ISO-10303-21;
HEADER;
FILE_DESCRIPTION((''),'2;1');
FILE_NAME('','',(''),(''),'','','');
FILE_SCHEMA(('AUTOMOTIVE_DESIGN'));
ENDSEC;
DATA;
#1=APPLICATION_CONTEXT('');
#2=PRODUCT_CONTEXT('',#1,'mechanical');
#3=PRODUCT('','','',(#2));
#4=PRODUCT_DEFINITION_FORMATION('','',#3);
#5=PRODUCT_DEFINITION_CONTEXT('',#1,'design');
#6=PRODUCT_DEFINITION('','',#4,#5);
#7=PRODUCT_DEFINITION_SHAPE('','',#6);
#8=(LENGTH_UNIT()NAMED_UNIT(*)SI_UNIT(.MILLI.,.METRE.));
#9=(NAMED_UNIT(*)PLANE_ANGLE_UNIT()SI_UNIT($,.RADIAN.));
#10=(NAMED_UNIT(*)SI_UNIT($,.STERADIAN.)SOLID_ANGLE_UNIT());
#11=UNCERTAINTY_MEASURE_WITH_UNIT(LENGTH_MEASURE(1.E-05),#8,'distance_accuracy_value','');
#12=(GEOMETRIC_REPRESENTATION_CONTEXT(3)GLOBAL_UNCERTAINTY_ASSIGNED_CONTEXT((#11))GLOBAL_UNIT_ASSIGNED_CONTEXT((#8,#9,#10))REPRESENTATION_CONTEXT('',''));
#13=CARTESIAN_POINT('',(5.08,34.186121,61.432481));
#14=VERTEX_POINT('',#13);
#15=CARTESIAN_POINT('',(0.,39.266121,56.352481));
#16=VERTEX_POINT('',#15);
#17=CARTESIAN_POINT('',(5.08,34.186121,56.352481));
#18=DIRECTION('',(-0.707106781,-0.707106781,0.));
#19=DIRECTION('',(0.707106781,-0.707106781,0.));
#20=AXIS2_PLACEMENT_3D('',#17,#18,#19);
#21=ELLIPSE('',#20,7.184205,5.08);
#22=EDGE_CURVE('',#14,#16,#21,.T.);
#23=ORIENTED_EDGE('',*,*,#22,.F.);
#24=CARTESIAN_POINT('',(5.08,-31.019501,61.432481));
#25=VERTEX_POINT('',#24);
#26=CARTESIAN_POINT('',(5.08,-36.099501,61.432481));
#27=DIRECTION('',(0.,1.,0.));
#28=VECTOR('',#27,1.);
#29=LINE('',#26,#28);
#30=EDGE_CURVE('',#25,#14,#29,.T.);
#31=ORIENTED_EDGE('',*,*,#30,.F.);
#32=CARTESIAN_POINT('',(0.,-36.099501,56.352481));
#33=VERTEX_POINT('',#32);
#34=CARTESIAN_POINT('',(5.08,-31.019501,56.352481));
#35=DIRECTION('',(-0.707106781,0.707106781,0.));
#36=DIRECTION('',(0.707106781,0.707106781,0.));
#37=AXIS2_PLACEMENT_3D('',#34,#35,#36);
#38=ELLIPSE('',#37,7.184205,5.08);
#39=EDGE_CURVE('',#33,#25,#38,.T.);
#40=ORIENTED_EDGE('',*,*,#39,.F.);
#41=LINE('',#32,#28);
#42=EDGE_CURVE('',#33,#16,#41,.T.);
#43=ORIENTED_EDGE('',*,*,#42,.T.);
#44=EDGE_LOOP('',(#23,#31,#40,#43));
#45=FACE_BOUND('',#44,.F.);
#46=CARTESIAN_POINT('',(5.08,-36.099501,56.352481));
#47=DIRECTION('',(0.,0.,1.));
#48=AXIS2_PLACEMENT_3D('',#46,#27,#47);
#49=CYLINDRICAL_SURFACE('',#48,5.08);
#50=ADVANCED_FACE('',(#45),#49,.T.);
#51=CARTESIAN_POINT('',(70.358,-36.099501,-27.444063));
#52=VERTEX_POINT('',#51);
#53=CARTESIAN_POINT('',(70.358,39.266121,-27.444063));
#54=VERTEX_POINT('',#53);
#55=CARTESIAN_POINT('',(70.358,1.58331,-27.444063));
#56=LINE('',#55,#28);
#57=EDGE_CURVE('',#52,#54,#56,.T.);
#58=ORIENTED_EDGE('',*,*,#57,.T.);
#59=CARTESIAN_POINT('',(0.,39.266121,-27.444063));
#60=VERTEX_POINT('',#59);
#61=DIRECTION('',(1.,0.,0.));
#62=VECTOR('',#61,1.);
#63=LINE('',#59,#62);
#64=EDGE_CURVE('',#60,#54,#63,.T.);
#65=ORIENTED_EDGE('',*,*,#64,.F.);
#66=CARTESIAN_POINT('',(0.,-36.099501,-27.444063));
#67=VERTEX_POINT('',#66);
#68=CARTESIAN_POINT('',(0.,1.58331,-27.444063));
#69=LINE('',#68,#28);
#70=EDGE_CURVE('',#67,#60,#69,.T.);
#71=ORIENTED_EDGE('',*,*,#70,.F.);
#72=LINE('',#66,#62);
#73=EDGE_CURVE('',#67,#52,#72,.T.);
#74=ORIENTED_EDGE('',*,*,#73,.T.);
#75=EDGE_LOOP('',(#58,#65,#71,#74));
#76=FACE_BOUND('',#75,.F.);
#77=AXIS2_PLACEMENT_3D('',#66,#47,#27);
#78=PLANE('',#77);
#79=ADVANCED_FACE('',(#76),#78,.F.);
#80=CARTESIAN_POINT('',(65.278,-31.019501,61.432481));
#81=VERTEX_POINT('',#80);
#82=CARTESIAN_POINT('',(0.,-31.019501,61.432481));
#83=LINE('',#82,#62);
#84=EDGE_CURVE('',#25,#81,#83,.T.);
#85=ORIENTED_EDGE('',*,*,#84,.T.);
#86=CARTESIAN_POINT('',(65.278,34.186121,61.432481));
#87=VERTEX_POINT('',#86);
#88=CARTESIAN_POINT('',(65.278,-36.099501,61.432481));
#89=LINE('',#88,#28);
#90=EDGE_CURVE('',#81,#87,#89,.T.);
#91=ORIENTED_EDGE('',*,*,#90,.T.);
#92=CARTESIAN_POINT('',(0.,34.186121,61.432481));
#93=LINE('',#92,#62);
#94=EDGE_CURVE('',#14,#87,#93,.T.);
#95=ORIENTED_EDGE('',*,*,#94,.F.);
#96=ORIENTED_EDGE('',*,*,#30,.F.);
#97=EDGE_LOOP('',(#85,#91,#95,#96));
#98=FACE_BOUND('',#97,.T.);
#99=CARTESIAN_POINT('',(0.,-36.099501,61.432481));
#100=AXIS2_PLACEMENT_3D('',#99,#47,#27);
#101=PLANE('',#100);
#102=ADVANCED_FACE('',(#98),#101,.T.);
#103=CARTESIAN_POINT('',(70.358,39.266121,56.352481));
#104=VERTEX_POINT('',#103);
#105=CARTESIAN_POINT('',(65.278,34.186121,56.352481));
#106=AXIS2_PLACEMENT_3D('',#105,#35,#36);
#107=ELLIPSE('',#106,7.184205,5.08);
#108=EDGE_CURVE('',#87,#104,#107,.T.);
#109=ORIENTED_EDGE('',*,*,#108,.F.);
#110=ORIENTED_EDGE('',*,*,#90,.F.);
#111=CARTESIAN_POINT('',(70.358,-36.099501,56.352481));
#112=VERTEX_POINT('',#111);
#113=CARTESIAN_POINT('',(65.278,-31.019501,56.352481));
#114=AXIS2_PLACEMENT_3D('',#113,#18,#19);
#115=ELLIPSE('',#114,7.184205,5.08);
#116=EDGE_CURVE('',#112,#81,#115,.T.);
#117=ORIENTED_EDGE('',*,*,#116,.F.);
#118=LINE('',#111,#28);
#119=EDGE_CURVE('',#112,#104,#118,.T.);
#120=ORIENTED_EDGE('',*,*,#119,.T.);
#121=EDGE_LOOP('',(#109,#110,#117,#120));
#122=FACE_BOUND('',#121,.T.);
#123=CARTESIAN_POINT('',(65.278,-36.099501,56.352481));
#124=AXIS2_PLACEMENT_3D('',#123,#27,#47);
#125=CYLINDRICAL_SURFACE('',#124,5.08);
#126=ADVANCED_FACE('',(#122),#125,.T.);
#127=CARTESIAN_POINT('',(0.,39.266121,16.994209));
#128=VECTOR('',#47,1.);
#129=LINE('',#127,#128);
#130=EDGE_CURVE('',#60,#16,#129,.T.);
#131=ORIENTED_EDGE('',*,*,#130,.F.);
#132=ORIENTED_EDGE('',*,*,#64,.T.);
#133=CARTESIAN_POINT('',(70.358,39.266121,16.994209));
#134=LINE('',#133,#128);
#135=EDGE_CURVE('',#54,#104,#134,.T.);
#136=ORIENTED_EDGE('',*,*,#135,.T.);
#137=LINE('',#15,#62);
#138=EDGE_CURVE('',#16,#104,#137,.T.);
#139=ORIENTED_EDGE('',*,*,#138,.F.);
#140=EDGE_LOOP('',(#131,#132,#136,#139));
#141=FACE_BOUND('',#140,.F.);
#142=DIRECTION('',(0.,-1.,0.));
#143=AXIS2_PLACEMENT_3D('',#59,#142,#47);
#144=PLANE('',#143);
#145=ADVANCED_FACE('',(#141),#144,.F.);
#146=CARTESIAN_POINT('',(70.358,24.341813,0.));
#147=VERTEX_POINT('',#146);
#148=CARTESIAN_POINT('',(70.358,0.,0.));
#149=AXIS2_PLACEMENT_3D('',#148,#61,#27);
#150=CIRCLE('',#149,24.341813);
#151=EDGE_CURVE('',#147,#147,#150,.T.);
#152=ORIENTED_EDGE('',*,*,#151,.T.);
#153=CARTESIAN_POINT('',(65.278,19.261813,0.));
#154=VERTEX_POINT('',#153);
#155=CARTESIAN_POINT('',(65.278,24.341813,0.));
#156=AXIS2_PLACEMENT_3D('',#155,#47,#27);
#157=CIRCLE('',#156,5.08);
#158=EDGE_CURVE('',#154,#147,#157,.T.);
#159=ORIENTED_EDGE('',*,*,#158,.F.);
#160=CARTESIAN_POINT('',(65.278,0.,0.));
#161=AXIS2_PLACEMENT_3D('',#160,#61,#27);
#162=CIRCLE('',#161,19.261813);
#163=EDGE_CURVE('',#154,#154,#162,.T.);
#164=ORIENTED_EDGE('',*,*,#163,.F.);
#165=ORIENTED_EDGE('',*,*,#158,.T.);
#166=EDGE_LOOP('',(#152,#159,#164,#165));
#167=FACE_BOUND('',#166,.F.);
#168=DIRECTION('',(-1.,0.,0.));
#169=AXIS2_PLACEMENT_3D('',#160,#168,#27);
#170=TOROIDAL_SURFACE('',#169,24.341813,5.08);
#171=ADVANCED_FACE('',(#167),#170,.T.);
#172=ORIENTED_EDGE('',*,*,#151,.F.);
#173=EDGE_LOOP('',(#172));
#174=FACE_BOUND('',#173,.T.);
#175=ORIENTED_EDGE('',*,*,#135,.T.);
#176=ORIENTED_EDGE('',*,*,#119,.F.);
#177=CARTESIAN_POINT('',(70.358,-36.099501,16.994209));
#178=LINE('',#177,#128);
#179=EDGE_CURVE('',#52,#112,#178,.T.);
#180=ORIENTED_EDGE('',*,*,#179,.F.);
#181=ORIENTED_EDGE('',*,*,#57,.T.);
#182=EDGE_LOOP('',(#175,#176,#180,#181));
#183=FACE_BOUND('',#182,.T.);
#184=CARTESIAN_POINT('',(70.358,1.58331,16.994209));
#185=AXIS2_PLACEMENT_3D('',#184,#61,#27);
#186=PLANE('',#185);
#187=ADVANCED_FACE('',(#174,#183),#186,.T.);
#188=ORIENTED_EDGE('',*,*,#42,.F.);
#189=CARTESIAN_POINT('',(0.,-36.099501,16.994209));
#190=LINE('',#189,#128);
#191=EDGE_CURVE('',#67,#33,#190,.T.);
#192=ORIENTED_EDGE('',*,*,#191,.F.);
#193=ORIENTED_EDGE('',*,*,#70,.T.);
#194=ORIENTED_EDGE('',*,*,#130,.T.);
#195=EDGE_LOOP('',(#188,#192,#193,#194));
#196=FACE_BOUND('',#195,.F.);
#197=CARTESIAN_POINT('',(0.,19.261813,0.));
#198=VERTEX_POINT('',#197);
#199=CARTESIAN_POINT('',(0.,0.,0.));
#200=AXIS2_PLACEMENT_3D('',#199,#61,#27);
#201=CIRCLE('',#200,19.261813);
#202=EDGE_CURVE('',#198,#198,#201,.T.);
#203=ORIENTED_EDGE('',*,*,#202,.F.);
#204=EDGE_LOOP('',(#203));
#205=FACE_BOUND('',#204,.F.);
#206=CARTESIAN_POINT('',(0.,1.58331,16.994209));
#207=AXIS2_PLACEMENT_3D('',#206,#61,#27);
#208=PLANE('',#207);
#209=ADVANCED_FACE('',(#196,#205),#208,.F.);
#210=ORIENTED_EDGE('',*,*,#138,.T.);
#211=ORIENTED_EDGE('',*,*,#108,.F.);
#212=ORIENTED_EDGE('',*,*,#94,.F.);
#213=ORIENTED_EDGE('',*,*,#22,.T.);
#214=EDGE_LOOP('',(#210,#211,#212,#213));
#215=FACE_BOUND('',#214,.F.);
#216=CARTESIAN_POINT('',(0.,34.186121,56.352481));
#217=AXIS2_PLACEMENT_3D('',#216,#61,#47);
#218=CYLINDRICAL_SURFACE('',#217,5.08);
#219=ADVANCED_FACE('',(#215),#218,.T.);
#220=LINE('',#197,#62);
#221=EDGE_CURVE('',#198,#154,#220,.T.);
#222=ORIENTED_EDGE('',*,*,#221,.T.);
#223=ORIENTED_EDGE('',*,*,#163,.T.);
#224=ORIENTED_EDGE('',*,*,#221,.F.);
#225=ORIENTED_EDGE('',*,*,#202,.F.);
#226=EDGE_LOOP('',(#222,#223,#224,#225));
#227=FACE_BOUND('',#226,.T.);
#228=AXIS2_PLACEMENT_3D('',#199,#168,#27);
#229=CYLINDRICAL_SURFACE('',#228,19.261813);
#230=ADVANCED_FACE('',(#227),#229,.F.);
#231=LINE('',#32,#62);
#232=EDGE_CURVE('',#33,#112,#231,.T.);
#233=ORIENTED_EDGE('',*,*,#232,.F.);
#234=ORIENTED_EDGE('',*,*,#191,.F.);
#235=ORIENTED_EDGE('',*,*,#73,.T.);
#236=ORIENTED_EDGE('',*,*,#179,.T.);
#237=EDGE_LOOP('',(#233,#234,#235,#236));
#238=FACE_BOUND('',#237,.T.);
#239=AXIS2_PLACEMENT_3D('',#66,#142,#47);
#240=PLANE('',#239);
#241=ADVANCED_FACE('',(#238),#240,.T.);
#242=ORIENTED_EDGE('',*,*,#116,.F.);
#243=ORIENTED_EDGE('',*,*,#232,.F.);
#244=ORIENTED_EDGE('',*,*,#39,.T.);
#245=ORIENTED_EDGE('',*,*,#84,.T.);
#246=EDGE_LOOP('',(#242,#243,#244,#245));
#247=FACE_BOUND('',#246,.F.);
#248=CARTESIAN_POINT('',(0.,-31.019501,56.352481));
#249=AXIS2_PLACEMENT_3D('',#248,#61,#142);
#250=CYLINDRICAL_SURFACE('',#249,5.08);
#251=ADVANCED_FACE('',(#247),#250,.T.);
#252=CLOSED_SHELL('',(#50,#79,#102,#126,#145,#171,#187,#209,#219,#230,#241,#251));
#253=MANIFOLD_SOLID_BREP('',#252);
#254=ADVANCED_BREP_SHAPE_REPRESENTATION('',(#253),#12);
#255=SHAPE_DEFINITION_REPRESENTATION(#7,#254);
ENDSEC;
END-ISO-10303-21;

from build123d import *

# Parameters (mm, degrees)
F0_W     = 75.365622
F0_H     = 88.876544
F0_R     = 19.261813
F1_DEPTH = 70.358
F2_R     = 5.08


with BuildPart() as f1:
    # F0 (on Right) → F1 (new body)
    with BuildSketch(Plane.YZ):
        with Locations((1.58331, 16.994209)):
            Rectangle(F0_W, F0_H)
        Circle(F0_R, mode=Mode.SUBTRACT)
    extrude(amount=F1_DEPTH)

    # F2
    f2_edges = [f1.edges().sort_by_distance(p)[0] for p in [
        (35.179, -36.099501, 61.432481),
        (35.179, 39.266121, 61.432481),
        (70.358, 1.58331, 61.432481),
        (0, 1.58331, 61.432481),
        (70.358, -19.261813, 0),
    ]]
    fillet(f2_edges, radius=F2_R)


solid = f1.part
